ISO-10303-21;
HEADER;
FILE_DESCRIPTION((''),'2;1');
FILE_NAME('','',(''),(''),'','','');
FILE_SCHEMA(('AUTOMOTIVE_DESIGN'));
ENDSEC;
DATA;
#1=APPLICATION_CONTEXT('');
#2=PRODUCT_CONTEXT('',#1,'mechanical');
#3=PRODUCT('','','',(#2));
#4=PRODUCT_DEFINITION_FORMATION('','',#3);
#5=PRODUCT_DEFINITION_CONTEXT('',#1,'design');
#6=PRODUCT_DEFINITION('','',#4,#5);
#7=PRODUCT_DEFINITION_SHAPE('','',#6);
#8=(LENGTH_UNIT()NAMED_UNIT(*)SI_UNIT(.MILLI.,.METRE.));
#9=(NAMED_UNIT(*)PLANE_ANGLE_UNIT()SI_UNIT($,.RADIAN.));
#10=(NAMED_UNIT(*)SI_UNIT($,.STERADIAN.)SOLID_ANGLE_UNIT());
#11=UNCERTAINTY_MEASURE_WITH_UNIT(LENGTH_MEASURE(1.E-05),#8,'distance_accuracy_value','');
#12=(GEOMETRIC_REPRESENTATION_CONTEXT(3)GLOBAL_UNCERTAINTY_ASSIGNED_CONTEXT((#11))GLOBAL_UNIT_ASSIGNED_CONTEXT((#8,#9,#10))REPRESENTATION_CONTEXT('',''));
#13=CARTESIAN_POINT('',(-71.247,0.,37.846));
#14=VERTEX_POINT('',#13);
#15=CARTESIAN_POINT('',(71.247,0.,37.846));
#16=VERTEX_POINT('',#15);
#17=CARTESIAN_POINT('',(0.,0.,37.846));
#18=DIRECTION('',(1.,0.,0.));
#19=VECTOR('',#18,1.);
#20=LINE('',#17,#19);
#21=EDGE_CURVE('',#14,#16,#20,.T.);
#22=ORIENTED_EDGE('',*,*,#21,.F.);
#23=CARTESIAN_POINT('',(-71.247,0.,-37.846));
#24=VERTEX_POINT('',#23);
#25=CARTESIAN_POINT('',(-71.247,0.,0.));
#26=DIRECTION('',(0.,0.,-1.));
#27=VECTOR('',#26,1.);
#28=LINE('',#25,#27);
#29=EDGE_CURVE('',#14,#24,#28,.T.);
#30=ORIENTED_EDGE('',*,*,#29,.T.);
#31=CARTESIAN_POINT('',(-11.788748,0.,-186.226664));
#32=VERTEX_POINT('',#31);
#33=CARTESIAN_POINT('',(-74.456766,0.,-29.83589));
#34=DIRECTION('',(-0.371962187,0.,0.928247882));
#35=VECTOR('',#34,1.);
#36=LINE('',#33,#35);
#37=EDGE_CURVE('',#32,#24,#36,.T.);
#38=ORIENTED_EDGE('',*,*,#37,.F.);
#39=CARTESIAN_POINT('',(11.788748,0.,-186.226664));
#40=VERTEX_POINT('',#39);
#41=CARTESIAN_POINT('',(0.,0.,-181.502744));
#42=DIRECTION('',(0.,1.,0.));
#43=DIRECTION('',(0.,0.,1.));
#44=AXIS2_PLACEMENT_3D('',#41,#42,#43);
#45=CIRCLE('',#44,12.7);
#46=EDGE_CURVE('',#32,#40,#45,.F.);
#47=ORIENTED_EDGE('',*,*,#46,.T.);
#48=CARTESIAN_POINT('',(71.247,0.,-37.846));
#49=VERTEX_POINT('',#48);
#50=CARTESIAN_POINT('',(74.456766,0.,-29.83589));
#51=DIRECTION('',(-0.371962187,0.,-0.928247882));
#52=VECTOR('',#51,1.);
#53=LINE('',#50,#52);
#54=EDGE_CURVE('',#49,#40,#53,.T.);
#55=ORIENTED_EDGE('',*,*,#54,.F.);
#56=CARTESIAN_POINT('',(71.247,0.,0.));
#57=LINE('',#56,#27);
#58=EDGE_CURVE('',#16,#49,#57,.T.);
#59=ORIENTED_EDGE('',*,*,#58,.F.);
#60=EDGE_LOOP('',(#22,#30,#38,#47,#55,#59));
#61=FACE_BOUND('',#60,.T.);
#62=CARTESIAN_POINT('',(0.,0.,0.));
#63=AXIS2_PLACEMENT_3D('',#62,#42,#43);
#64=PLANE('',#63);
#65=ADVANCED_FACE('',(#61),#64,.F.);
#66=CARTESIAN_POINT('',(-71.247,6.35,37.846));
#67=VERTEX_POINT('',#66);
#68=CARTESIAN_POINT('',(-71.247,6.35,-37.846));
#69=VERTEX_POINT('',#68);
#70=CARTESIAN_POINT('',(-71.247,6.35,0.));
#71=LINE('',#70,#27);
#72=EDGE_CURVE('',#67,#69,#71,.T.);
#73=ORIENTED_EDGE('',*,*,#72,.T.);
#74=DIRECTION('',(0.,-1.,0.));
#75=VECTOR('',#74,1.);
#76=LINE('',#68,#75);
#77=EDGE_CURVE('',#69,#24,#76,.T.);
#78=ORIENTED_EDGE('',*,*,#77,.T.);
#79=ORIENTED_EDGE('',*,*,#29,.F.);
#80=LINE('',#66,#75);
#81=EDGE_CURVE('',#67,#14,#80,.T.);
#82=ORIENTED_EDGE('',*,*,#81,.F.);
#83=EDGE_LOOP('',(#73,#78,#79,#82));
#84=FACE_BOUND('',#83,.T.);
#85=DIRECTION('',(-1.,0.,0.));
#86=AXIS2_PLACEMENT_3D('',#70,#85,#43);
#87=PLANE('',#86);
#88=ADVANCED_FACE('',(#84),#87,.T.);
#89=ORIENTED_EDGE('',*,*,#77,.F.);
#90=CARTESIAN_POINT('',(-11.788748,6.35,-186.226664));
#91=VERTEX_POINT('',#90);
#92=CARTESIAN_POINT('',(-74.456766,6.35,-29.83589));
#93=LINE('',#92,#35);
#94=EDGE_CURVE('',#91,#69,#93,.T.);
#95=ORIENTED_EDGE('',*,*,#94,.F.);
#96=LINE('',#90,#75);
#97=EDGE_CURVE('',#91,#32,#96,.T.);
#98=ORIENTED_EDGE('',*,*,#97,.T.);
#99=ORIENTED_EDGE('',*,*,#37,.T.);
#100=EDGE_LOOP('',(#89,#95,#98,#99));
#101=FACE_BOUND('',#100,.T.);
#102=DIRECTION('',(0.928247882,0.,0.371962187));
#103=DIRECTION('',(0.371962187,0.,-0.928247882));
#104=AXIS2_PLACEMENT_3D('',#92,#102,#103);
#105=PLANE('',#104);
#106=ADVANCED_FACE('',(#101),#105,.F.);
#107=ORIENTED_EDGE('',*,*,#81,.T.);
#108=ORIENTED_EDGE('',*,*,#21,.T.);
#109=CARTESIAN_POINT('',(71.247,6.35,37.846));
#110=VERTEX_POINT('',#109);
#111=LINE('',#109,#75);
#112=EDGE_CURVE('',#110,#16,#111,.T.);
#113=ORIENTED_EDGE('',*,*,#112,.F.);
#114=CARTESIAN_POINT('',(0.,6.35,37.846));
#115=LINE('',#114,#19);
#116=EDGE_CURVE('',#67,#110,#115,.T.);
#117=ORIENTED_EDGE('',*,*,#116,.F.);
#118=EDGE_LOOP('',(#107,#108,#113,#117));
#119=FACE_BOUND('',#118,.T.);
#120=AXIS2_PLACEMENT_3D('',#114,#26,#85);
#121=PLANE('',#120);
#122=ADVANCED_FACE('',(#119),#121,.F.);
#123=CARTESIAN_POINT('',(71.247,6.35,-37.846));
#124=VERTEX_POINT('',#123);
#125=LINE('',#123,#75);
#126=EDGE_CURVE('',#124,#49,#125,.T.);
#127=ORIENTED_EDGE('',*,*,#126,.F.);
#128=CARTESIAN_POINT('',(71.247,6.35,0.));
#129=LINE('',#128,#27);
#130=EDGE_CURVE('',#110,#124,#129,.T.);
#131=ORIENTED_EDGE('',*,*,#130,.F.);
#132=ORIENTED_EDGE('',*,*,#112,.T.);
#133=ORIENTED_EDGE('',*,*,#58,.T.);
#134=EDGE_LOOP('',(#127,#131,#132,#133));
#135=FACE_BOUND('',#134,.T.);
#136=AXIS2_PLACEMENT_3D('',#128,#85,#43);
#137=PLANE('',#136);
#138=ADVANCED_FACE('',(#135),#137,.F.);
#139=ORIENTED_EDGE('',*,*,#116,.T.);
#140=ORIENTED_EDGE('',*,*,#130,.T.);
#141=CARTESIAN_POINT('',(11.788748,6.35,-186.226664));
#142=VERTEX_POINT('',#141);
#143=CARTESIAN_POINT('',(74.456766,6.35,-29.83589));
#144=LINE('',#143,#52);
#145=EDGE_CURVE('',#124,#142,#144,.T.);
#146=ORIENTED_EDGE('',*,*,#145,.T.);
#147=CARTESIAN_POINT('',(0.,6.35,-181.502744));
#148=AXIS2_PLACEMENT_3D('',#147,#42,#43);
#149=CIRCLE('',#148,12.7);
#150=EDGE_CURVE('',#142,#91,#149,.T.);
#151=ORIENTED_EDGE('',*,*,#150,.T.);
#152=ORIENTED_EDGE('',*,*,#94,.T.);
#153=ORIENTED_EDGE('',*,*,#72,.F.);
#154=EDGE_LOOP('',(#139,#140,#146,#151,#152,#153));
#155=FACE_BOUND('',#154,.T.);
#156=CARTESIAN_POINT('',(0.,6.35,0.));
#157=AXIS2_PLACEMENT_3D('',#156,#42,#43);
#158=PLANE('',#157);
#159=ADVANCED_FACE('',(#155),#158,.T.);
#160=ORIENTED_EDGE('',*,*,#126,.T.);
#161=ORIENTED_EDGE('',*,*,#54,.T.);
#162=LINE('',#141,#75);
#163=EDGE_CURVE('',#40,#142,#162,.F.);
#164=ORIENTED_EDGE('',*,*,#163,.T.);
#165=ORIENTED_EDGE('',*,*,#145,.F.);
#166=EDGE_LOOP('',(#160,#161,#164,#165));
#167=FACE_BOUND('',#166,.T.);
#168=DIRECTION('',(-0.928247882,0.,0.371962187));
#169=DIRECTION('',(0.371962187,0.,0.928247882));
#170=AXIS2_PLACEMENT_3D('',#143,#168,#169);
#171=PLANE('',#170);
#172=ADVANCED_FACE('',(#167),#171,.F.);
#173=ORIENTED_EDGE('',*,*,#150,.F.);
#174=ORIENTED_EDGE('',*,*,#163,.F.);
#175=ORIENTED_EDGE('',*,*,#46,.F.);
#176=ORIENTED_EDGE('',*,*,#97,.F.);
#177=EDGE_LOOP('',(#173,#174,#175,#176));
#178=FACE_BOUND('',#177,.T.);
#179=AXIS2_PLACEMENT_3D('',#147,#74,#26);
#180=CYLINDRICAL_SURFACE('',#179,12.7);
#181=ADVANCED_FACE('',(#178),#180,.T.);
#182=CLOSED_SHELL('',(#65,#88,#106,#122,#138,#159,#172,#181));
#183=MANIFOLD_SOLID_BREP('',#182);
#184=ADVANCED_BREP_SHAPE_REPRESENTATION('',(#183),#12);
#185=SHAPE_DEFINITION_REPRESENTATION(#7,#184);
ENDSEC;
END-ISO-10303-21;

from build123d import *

# Parameters (mm, degrees)
SKETCH1_W           = 142.494
SKETCH1_H           = 75.692
BOSS_EXTRUDE2_DEPTH = 6.35
FILLET4_R           = 12.7


with BuildPart() as part:
    # Sketch1 → Boss-Extrude2 (new body)
    with BuildSketch(Plane(origin=(0, 0, 0), x_dir=(1, 0, 0), z_dir=(0, 1, 0))):
        Polygon((-71.247, 37.846), (0, 37.846), (0, 215.646), align=None)
        Polygon((0, 215.646), (0, 37.846), (71.247, 37.846), align=None)
        Rectangle(SKETCH1_W, SKETCH1_H)
    extrude(amount=BOSS_EXTRUDE2_DEPTH)

    # Fillet4
    fillet4_edges = [part.edges().sort_by_distance(p)[0] for p in [
        (0, 3.175, -215.646),
    ]]
    fillet(fillet4_edges, radius=FILLET4_R)


solid = part.part
